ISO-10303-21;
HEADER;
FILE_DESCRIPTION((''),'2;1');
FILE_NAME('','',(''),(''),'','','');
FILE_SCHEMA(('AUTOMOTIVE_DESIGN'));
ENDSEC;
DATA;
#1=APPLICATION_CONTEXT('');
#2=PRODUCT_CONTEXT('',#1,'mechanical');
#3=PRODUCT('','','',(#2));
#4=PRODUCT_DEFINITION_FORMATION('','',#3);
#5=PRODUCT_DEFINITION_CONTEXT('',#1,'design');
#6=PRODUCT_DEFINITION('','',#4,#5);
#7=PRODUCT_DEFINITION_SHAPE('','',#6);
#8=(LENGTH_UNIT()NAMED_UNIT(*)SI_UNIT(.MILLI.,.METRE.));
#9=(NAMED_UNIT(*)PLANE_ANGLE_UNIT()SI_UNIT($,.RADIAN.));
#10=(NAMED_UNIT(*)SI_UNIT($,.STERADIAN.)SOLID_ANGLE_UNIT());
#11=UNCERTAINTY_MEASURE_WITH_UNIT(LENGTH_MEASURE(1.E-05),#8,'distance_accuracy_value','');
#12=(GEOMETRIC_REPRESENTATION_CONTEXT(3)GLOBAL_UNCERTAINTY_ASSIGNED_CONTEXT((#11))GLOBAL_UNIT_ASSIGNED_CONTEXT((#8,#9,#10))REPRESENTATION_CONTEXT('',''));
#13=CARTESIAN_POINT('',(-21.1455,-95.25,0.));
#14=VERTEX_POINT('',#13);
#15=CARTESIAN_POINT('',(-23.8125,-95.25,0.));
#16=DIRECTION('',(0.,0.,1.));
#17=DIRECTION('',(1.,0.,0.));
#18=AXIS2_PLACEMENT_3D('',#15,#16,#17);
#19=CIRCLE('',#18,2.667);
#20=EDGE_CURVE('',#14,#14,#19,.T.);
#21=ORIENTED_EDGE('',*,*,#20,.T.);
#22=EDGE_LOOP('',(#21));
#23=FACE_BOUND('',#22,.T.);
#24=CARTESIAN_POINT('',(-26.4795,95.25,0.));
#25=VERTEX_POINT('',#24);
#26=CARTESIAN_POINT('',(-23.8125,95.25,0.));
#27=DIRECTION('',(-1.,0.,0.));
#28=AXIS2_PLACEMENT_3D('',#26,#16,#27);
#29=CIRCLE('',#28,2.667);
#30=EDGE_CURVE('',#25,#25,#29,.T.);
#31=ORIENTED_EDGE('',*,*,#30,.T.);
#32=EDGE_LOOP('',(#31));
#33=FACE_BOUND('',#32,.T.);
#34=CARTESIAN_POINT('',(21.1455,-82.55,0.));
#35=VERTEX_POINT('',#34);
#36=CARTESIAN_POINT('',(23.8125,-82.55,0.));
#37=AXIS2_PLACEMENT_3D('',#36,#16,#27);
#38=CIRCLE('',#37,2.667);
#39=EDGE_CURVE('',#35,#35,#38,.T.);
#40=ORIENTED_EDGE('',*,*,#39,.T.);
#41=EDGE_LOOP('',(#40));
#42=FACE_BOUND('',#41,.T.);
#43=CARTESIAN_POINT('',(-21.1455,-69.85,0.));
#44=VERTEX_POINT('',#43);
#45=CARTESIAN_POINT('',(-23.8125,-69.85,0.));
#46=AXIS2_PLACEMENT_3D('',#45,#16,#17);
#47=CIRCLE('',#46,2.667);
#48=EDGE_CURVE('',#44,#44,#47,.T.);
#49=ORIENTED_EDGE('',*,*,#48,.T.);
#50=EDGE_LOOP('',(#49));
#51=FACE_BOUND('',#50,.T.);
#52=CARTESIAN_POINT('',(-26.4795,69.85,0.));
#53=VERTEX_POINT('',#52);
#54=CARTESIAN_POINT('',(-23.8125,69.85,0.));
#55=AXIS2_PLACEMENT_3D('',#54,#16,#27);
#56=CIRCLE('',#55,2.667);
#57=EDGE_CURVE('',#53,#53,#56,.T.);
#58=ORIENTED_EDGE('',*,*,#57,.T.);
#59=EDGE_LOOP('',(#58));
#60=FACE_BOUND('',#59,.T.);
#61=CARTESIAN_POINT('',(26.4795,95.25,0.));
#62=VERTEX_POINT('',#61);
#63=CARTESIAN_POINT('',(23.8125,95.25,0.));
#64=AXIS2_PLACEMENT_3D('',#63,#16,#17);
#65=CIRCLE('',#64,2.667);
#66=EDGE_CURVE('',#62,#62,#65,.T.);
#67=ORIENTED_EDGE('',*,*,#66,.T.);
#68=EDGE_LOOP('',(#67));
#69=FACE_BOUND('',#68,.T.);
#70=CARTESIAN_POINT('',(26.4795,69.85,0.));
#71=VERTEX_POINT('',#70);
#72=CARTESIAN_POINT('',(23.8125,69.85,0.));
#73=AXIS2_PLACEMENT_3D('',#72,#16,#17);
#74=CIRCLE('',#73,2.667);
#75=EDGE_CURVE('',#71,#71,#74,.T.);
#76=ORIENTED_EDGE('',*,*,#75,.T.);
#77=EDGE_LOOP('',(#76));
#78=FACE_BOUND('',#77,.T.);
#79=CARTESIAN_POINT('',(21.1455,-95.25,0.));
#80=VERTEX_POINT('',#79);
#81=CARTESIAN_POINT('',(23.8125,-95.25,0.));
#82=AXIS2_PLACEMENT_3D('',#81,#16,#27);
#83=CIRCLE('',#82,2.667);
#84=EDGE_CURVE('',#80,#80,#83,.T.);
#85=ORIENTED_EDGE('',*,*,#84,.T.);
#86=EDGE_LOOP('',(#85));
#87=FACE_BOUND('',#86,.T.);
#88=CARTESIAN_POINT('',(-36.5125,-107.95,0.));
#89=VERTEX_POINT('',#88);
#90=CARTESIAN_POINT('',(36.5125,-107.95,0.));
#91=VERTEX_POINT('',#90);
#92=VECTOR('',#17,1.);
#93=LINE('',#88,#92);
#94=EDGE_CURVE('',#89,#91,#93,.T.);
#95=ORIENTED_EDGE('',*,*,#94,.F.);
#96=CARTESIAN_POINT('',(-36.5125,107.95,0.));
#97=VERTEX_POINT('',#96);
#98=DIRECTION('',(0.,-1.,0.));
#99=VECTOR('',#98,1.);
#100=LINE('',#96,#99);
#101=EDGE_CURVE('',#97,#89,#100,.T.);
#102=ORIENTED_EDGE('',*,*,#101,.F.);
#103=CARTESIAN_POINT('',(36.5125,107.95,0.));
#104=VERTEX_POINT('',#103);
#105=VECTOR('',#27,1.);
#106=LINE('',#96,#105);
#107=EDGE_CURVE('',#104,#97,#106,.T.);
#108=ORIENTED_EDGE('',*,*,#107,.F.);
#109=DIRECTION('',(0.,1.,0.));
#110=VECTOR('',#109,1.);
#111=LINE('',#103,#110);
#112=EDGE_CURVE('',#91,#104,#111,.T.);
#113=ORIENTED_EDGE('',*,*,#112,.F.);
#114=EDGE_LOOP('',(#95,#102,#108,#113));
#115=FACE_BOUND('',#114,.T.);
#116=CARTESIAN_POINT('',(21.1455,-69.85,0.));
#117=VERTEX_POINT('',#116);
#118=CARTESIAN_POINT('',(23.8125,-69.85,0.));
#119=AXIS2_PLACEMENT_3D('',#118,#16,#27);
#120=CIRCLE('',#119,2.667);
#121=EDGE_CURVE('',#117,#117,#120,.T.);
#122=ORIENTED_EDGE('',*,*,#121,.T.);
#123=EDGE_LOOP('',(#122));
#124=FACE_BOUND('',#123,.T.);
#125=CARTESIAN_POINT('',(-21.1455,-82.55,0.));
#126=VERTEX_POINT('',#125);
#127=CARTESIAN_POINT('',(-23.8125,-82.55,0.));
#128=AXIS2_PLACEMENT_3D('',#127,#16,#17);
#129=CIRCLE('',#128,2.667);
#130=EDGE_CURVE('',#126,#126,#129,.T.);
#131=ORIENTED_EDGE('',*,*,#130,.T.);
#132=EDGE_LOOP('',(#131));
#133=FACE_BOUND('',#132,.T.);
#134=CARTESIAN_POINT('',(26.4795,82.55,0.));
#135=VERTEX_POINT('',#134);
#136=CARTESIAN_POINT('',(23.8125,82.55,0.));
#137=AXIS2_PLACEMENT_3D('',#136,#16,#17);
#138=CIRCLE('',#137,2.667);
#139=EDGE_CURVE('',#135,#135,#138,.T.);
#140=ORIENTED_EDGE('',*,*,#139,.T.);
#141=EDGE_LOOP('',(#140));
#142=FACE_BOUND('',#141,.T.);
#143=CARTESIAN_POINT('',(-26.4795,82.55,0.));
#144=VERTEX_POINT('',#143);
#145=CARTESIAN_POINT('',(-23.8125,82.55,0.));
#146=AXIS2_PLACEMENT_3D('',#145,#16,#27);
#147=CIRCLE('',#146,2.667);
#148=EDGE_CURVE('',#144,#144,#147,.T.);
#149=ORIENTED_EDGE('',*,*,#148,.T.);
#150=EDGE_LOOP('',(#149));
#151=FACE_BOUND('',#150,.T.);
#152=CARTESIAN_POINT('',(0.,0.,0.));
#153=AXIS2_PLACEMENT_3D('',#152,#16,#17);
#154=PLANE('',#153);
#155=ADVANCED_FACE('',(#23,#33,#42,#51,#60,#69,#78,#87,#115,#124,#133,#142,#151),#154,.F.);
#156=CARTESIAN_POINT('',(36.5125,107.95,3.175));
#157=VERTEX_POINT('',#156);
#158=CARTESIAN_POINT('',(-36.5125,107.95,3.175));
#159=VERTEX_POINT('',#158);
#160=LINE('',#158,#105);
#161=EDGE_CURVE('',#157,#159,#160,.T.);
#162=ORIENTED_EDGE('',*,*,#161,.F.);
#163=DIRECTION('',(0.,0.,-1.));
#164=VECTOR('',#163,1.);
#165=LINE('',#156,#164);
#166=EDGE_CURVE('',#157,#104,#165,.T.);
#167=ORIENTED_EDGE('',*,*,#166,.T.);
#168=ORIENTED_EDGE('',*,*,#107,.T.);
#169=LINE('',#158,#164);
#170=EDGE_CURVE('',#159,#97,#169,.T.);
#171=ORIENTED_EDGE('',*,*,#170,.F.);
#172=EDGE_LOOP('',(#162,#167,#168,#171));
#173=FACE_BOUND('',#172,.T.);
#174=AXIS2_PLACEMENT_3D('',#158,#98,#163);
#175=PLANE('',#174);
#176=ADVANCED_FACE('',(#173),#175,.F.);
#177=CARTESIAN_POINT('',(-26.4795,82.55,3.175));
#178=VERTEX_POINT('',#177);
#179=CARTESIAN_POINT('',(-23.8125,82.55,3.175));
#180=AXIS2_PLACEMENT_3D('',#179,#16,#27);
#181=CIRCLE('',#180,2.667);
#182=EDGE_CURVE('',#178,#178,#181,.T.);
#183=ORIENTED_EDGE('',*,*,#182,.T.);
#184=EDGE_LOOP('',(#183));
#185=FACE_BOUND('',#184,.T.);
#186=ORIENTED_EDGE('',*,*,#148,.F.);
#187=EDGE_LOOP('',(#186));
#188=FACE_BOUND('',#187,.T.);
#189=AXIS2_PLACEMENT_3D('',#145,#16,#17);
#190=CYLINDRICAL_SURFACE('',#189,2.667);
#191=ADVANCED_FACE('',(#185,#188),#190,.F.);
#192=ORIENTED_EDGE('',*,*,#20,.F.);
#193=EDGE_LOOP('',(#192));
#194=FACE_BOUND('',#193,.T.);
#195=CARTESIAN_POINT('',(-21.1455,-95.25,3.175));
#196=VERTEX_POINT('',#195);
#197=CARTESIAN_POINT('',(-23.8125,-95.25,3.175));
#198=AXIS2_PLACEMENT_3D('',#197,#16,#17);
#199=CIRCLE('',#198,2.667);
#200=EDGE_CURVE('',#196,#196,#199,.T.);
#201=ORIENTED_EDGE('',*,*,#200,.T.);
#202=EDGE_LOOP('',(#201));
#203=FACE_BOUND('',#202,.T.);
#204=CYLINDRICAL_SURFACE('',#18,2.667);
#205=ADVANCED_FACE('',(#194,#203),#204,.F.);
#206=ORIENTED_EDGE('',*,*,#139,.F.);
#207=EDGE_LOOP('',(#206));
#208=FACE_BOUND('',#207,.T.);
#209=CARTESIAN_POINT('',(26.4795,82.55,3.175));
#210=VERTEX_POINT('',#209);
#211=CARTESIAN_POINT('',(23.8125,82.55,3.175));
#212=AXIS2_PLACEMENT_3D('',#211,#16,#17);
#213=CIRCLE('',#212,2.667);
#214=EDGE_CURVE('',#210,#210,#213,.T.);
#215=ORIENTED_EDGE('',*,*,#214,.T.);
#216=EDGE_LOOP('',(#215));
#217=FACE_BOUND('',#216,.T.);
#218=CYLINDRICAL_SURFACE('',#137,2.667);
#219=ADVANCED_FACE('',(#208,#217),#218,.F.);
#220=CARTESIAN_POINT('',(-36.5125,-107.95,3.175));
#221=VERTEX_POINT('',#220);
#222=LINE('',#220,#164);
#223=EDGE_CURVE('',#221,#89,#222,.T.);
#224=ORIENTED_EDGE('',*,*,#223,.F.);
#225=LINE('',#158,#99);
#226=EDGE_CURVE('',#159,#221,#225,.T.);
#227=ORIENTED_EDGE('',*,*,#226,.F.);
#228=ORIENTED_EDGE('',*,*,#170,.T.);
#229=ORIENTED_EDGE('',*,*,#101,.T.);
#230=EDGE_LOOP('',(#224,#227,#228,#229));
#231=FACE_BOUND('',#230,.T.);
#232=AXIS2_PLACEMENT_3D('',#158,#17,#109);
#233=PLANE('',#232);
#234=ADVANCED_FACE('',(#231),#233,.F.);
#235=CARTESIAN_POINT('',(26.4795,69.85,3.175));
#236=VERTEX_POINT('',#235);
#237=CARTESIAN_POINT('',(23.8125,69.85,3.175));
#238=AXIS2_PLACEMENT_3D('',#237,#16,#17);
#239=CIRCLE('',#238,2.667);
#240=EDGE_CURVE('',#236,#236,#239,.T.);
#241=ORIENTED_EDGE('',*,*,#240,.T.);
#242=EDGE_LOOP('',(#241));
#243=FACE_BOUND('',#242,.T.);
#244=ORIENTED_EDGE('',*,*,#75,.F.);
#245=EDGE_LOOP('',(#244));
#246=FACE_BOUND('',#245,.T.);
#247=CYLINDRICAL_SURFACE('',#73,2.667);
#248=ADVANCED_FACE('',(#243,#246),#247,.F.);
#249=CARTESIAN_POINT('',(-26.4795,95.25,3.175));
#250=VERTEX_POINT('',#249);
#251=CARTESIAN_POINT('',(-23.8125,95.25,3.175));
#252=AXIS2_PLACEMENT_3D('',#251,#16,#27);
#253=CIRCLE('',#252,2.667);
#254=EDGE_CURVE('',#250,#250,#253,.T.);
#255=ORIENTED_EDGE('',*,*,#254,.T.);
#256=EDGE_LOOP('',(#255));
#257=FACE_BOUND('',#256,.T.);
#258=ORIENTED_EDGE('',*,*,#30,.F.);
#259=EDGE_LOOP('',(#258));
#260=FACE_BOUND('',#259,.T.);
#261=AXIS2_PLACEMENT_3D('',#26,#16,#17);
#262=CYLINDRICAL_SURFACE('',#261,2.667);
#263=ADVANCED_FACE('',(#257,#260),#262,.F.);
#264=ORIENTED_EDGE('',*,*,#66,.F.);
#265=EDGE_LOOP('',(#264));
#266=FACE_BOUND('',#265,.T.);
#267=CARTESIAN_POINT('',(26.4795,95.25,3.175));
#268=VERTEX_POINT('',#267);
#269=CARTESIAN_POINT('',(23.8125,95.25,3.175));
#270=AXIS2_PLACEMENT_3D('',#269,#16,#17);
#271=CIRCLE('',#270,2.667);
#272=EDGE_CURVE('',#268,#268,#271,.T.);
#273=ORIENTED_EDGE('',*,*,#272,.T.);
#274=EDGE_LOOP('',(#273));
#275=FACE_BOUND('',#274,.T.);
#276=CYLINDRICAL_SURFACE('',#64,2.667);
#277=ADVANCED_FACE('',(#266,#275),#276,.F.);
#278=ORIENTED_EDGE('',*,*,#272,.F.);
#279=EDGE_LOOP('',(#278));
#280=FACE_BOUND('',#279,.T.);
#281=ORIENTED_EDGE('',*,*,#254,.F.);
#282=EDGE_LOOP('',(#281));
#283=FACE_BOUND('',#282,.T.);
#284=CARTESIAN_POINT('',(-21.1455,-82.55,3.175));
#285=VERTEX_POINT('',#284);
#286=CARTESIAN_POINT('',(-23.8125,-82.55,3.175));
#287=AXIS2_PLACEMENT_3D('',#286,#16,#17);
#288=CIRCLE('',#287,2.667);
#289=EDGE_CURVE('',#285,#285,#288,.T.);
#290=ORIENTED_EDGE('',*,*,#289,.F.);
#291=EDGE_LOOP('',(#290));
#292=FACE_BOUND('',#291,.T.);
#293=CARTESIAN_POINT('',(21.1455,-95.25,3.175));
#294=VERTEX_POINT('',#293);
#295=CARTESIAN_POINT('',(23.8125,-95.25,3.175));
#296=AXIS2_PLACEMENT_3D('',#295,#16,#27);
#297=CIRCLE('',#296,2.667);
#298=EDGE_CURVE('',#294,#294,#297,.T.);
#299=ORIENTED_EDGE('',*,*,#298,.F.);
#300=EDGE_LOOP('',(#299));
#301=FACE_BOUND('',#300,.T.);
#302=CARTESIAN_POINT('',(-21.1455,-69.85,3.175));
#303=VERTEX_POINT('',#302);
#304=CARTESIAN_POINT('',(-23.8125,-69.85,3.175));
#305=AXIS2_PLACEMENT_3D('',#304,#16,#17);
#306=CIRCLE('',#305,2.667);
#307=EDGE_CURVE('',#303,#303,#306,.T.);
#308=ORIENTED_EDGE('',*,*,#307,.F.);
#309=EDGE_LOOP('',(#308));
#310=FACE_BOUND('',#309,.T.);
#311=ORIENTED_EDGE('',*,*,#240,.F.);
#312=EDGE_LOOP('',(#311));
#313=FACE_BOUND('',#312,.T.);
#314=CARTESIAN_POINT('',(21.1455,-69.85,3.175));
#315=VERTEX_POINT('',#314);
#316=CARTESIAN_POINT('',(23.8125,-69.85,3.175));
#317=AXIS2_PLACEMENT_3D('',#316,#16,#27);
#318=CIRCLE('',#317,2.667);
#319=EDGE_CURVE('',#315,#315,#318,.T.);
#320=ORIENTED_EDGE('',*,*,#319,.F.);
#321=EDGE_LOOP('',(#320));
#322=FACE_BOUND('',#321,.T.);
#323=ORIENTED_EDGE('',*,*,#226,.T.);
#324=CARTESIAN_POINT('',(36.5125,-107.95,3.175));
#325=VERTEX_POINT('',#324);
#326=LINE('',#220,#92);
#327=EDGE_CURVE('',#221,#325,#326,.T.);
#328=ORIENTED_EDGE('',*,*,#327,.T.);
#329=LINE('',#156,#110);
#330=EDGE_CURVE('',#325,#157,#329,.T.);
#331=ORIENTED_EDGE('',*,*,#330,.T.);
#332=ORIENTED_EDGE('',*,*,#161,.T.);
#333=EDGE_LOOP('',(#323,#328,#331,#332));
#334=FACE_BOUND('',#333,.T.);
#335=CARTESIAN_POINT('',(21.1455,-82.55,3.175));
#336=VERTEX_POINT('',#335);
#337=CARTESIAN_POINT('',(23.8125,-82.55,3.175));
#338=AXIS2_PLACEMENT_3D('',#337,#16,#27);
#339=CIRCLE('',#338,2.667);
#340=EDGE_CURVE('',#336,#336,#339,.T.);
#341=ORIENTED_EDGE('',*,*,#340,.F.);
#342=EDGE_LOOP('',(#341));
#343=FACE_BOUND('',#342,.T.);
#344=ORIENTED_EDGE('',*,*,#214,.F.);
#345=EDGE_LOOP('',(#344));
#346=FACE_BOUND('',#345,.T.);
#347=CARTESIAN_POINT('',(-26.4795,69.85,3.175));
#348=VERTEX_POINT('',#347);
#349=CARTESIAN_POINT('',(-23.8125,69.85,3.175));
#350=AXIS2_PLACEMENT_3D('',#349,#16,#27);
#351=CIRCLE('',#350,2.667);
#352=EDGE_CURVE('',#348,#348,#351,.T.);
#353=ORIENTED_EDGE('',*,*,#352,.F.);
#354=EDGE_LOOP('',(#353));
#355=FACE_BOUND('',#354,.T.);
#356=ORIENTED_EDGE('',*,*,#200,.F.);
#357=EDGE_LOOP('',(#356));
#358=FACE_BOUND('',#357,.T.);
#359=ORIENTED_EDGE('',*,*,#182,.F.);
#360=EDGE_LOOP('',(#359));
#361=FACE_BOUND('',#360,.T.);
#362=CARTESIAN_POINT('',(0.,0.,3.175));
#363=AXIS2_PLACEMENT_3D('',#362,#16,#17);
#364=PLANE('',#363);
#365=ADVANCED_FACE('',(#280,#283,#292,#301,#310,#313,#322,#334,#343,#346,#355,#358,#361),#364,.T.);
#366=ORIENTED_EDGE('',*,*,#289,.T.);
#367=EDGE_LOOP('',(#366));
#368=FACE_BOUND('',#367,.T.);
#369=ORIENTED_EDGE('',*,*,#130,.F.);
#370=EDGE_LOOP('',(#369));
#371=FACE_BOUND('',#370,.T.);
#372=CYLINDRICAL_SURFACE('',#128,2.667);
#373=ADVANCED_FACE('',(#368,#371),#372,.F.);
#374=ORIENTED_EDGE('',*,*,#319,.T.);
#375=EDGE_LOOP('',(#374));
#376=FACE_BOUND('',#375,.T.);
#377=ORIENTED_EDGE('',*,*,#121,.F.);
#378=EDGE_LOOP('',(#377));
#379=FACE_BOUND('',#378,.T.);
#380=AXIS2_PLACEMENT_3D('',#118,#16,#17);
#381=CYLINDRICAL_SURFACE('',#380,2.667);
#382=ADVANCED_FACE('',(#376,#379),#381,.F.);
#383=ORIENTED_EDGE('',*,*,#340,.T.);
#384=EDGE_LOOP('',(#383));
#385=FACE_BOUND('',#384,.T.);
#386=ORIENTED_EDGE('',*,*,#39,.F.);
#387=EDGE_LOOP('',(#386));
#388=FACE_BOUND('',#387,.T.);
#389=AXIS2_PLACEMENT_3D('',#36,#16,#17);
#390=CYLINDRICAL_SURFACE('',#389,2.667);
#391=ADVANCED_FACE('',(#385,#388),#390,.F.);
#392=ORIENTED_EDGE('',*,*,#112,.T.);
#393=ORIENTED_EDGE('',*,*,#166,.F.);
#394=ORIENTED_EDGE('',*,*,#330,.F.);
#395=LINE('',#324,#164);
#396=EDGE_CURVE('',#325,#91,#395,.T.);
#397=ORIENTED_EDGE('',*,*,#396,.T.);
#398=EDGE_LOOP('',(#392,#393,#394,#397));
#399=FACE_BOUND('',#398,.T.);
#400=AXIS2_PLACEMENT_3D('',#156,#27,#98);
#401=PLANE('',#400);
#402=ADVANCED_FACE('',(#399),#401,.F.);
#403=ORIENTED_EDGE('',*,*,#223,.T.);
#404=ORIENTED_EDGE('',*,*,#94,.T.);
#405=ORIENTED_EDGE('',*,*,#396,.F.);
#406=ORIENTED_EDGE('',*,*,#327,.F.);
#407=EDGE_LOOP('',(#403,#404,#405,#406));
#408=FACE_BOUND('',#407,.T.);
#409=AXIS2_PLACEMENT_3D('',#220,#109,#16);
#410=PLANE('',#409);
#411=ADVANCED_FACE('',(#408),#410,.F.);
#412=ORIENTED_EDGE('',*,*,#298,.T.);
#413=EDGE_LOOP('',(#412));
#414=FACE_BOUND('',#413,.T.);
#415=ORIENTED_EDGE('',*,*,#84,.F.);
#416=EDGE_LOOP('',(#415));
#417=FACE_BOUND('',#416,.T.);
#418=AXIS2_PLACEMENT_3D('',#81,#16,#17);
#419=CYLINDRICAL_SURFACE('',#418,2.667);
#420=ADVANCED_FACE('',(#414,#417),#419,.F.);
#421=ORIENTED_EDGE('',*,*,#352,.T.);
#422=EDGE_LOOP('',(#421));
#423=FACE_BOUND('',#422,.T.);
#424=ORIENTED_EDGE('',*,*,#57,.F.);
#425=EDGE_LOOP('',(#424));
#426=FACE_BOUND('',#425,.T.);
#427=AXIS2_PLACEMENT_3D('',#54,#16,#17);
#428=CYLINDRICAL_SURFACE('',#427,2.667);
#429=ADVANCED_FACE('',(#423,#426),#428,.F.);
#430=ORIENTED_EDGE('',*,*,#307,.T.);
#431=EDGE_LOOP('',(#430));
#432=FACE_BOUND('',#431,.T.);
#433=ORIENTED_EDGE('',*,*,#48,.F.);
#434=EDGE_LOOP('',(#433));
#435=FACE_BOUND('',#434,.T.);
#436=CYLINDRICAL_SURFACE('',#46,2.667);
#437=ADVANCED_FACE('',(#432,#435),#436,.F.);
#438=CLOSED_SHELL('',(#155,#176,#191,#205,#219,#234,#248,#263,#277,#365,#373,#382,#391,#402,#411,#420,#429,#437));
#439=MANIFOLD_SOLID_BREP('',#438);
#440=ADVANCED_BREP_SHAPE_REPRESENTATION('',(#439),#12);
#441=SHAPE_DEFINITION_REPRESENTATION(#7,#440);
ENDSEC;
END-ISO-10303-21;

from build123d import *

# Parameters (mm, degrees)
SKETCH1_W           = 73.025
SKETCH1_H           = 215.9
BOSS_EXTRUDE1_DEPTH = 3.175
SKETCH2_R           = 2.667
CUT_EXTRUDE1_DEPTH  = 3.175


with BuildPart() as part:
    # Sketch1 → Boss-Extrude1 (new body)
    with BuildSketch(Plane.XY):
        Rectangle(SKETCH1_W, SKETCH1_H)
    extrude(amount=BOSS_EXTRUDE1_DEPTH)

    # Sketch2 → Cut-Extrude1 (cut)
    with BuildSketch(Plane.XY.offset(3.175)):
        with Locations((-23.8125, -69.85)):
            Circle(SKETCH2_R)
        with Locations((-23.8125, -82.55)):
            Circle(SKETCH2_R)
        with Locations((-23.8125, -95.25)):
            Circle(SKETCH2_R)
        with Locations(Location((-23.8125, 95.25, 0), (0, 0, 180))):
            Circle(SKETCH2_R)
        with Locations(Location((-23.8125, 82.55, 0), (0, 0, 180))):
            Circle(SKETCH2_R)
        with Locations(Location((-23.8125, 69.85, 0), (0, 0, 180))):
            Circle(SKETCH2_R)
        with Locations((23.8125, 95.25)):
            Circle(SKETCH2_R)
        with Locations((23.8125, 82.55)):
            Circle(SKETCH2_R)
        with Locations((23.8125, 69.85)):
            Circle(SKETCH2_R)
        with Locations(Location((23.8125, -95.25, 0), (0, 0, 180))):
            Circle(SKETCH2_R)
        with Locations(Location((23.8125, -82.55, 0), (0, 0, 180))):
            Circle(SKETCH2_R)
        with Locations(Location((23.8125, -69.85, 0), (0, 0, 180))):
            Circle(SKETCH2_R)
    extrude(amount=-CUT_EXTRUDE1_DEPTH, mode=Mode.SUBTRACT)


solid = part.part
